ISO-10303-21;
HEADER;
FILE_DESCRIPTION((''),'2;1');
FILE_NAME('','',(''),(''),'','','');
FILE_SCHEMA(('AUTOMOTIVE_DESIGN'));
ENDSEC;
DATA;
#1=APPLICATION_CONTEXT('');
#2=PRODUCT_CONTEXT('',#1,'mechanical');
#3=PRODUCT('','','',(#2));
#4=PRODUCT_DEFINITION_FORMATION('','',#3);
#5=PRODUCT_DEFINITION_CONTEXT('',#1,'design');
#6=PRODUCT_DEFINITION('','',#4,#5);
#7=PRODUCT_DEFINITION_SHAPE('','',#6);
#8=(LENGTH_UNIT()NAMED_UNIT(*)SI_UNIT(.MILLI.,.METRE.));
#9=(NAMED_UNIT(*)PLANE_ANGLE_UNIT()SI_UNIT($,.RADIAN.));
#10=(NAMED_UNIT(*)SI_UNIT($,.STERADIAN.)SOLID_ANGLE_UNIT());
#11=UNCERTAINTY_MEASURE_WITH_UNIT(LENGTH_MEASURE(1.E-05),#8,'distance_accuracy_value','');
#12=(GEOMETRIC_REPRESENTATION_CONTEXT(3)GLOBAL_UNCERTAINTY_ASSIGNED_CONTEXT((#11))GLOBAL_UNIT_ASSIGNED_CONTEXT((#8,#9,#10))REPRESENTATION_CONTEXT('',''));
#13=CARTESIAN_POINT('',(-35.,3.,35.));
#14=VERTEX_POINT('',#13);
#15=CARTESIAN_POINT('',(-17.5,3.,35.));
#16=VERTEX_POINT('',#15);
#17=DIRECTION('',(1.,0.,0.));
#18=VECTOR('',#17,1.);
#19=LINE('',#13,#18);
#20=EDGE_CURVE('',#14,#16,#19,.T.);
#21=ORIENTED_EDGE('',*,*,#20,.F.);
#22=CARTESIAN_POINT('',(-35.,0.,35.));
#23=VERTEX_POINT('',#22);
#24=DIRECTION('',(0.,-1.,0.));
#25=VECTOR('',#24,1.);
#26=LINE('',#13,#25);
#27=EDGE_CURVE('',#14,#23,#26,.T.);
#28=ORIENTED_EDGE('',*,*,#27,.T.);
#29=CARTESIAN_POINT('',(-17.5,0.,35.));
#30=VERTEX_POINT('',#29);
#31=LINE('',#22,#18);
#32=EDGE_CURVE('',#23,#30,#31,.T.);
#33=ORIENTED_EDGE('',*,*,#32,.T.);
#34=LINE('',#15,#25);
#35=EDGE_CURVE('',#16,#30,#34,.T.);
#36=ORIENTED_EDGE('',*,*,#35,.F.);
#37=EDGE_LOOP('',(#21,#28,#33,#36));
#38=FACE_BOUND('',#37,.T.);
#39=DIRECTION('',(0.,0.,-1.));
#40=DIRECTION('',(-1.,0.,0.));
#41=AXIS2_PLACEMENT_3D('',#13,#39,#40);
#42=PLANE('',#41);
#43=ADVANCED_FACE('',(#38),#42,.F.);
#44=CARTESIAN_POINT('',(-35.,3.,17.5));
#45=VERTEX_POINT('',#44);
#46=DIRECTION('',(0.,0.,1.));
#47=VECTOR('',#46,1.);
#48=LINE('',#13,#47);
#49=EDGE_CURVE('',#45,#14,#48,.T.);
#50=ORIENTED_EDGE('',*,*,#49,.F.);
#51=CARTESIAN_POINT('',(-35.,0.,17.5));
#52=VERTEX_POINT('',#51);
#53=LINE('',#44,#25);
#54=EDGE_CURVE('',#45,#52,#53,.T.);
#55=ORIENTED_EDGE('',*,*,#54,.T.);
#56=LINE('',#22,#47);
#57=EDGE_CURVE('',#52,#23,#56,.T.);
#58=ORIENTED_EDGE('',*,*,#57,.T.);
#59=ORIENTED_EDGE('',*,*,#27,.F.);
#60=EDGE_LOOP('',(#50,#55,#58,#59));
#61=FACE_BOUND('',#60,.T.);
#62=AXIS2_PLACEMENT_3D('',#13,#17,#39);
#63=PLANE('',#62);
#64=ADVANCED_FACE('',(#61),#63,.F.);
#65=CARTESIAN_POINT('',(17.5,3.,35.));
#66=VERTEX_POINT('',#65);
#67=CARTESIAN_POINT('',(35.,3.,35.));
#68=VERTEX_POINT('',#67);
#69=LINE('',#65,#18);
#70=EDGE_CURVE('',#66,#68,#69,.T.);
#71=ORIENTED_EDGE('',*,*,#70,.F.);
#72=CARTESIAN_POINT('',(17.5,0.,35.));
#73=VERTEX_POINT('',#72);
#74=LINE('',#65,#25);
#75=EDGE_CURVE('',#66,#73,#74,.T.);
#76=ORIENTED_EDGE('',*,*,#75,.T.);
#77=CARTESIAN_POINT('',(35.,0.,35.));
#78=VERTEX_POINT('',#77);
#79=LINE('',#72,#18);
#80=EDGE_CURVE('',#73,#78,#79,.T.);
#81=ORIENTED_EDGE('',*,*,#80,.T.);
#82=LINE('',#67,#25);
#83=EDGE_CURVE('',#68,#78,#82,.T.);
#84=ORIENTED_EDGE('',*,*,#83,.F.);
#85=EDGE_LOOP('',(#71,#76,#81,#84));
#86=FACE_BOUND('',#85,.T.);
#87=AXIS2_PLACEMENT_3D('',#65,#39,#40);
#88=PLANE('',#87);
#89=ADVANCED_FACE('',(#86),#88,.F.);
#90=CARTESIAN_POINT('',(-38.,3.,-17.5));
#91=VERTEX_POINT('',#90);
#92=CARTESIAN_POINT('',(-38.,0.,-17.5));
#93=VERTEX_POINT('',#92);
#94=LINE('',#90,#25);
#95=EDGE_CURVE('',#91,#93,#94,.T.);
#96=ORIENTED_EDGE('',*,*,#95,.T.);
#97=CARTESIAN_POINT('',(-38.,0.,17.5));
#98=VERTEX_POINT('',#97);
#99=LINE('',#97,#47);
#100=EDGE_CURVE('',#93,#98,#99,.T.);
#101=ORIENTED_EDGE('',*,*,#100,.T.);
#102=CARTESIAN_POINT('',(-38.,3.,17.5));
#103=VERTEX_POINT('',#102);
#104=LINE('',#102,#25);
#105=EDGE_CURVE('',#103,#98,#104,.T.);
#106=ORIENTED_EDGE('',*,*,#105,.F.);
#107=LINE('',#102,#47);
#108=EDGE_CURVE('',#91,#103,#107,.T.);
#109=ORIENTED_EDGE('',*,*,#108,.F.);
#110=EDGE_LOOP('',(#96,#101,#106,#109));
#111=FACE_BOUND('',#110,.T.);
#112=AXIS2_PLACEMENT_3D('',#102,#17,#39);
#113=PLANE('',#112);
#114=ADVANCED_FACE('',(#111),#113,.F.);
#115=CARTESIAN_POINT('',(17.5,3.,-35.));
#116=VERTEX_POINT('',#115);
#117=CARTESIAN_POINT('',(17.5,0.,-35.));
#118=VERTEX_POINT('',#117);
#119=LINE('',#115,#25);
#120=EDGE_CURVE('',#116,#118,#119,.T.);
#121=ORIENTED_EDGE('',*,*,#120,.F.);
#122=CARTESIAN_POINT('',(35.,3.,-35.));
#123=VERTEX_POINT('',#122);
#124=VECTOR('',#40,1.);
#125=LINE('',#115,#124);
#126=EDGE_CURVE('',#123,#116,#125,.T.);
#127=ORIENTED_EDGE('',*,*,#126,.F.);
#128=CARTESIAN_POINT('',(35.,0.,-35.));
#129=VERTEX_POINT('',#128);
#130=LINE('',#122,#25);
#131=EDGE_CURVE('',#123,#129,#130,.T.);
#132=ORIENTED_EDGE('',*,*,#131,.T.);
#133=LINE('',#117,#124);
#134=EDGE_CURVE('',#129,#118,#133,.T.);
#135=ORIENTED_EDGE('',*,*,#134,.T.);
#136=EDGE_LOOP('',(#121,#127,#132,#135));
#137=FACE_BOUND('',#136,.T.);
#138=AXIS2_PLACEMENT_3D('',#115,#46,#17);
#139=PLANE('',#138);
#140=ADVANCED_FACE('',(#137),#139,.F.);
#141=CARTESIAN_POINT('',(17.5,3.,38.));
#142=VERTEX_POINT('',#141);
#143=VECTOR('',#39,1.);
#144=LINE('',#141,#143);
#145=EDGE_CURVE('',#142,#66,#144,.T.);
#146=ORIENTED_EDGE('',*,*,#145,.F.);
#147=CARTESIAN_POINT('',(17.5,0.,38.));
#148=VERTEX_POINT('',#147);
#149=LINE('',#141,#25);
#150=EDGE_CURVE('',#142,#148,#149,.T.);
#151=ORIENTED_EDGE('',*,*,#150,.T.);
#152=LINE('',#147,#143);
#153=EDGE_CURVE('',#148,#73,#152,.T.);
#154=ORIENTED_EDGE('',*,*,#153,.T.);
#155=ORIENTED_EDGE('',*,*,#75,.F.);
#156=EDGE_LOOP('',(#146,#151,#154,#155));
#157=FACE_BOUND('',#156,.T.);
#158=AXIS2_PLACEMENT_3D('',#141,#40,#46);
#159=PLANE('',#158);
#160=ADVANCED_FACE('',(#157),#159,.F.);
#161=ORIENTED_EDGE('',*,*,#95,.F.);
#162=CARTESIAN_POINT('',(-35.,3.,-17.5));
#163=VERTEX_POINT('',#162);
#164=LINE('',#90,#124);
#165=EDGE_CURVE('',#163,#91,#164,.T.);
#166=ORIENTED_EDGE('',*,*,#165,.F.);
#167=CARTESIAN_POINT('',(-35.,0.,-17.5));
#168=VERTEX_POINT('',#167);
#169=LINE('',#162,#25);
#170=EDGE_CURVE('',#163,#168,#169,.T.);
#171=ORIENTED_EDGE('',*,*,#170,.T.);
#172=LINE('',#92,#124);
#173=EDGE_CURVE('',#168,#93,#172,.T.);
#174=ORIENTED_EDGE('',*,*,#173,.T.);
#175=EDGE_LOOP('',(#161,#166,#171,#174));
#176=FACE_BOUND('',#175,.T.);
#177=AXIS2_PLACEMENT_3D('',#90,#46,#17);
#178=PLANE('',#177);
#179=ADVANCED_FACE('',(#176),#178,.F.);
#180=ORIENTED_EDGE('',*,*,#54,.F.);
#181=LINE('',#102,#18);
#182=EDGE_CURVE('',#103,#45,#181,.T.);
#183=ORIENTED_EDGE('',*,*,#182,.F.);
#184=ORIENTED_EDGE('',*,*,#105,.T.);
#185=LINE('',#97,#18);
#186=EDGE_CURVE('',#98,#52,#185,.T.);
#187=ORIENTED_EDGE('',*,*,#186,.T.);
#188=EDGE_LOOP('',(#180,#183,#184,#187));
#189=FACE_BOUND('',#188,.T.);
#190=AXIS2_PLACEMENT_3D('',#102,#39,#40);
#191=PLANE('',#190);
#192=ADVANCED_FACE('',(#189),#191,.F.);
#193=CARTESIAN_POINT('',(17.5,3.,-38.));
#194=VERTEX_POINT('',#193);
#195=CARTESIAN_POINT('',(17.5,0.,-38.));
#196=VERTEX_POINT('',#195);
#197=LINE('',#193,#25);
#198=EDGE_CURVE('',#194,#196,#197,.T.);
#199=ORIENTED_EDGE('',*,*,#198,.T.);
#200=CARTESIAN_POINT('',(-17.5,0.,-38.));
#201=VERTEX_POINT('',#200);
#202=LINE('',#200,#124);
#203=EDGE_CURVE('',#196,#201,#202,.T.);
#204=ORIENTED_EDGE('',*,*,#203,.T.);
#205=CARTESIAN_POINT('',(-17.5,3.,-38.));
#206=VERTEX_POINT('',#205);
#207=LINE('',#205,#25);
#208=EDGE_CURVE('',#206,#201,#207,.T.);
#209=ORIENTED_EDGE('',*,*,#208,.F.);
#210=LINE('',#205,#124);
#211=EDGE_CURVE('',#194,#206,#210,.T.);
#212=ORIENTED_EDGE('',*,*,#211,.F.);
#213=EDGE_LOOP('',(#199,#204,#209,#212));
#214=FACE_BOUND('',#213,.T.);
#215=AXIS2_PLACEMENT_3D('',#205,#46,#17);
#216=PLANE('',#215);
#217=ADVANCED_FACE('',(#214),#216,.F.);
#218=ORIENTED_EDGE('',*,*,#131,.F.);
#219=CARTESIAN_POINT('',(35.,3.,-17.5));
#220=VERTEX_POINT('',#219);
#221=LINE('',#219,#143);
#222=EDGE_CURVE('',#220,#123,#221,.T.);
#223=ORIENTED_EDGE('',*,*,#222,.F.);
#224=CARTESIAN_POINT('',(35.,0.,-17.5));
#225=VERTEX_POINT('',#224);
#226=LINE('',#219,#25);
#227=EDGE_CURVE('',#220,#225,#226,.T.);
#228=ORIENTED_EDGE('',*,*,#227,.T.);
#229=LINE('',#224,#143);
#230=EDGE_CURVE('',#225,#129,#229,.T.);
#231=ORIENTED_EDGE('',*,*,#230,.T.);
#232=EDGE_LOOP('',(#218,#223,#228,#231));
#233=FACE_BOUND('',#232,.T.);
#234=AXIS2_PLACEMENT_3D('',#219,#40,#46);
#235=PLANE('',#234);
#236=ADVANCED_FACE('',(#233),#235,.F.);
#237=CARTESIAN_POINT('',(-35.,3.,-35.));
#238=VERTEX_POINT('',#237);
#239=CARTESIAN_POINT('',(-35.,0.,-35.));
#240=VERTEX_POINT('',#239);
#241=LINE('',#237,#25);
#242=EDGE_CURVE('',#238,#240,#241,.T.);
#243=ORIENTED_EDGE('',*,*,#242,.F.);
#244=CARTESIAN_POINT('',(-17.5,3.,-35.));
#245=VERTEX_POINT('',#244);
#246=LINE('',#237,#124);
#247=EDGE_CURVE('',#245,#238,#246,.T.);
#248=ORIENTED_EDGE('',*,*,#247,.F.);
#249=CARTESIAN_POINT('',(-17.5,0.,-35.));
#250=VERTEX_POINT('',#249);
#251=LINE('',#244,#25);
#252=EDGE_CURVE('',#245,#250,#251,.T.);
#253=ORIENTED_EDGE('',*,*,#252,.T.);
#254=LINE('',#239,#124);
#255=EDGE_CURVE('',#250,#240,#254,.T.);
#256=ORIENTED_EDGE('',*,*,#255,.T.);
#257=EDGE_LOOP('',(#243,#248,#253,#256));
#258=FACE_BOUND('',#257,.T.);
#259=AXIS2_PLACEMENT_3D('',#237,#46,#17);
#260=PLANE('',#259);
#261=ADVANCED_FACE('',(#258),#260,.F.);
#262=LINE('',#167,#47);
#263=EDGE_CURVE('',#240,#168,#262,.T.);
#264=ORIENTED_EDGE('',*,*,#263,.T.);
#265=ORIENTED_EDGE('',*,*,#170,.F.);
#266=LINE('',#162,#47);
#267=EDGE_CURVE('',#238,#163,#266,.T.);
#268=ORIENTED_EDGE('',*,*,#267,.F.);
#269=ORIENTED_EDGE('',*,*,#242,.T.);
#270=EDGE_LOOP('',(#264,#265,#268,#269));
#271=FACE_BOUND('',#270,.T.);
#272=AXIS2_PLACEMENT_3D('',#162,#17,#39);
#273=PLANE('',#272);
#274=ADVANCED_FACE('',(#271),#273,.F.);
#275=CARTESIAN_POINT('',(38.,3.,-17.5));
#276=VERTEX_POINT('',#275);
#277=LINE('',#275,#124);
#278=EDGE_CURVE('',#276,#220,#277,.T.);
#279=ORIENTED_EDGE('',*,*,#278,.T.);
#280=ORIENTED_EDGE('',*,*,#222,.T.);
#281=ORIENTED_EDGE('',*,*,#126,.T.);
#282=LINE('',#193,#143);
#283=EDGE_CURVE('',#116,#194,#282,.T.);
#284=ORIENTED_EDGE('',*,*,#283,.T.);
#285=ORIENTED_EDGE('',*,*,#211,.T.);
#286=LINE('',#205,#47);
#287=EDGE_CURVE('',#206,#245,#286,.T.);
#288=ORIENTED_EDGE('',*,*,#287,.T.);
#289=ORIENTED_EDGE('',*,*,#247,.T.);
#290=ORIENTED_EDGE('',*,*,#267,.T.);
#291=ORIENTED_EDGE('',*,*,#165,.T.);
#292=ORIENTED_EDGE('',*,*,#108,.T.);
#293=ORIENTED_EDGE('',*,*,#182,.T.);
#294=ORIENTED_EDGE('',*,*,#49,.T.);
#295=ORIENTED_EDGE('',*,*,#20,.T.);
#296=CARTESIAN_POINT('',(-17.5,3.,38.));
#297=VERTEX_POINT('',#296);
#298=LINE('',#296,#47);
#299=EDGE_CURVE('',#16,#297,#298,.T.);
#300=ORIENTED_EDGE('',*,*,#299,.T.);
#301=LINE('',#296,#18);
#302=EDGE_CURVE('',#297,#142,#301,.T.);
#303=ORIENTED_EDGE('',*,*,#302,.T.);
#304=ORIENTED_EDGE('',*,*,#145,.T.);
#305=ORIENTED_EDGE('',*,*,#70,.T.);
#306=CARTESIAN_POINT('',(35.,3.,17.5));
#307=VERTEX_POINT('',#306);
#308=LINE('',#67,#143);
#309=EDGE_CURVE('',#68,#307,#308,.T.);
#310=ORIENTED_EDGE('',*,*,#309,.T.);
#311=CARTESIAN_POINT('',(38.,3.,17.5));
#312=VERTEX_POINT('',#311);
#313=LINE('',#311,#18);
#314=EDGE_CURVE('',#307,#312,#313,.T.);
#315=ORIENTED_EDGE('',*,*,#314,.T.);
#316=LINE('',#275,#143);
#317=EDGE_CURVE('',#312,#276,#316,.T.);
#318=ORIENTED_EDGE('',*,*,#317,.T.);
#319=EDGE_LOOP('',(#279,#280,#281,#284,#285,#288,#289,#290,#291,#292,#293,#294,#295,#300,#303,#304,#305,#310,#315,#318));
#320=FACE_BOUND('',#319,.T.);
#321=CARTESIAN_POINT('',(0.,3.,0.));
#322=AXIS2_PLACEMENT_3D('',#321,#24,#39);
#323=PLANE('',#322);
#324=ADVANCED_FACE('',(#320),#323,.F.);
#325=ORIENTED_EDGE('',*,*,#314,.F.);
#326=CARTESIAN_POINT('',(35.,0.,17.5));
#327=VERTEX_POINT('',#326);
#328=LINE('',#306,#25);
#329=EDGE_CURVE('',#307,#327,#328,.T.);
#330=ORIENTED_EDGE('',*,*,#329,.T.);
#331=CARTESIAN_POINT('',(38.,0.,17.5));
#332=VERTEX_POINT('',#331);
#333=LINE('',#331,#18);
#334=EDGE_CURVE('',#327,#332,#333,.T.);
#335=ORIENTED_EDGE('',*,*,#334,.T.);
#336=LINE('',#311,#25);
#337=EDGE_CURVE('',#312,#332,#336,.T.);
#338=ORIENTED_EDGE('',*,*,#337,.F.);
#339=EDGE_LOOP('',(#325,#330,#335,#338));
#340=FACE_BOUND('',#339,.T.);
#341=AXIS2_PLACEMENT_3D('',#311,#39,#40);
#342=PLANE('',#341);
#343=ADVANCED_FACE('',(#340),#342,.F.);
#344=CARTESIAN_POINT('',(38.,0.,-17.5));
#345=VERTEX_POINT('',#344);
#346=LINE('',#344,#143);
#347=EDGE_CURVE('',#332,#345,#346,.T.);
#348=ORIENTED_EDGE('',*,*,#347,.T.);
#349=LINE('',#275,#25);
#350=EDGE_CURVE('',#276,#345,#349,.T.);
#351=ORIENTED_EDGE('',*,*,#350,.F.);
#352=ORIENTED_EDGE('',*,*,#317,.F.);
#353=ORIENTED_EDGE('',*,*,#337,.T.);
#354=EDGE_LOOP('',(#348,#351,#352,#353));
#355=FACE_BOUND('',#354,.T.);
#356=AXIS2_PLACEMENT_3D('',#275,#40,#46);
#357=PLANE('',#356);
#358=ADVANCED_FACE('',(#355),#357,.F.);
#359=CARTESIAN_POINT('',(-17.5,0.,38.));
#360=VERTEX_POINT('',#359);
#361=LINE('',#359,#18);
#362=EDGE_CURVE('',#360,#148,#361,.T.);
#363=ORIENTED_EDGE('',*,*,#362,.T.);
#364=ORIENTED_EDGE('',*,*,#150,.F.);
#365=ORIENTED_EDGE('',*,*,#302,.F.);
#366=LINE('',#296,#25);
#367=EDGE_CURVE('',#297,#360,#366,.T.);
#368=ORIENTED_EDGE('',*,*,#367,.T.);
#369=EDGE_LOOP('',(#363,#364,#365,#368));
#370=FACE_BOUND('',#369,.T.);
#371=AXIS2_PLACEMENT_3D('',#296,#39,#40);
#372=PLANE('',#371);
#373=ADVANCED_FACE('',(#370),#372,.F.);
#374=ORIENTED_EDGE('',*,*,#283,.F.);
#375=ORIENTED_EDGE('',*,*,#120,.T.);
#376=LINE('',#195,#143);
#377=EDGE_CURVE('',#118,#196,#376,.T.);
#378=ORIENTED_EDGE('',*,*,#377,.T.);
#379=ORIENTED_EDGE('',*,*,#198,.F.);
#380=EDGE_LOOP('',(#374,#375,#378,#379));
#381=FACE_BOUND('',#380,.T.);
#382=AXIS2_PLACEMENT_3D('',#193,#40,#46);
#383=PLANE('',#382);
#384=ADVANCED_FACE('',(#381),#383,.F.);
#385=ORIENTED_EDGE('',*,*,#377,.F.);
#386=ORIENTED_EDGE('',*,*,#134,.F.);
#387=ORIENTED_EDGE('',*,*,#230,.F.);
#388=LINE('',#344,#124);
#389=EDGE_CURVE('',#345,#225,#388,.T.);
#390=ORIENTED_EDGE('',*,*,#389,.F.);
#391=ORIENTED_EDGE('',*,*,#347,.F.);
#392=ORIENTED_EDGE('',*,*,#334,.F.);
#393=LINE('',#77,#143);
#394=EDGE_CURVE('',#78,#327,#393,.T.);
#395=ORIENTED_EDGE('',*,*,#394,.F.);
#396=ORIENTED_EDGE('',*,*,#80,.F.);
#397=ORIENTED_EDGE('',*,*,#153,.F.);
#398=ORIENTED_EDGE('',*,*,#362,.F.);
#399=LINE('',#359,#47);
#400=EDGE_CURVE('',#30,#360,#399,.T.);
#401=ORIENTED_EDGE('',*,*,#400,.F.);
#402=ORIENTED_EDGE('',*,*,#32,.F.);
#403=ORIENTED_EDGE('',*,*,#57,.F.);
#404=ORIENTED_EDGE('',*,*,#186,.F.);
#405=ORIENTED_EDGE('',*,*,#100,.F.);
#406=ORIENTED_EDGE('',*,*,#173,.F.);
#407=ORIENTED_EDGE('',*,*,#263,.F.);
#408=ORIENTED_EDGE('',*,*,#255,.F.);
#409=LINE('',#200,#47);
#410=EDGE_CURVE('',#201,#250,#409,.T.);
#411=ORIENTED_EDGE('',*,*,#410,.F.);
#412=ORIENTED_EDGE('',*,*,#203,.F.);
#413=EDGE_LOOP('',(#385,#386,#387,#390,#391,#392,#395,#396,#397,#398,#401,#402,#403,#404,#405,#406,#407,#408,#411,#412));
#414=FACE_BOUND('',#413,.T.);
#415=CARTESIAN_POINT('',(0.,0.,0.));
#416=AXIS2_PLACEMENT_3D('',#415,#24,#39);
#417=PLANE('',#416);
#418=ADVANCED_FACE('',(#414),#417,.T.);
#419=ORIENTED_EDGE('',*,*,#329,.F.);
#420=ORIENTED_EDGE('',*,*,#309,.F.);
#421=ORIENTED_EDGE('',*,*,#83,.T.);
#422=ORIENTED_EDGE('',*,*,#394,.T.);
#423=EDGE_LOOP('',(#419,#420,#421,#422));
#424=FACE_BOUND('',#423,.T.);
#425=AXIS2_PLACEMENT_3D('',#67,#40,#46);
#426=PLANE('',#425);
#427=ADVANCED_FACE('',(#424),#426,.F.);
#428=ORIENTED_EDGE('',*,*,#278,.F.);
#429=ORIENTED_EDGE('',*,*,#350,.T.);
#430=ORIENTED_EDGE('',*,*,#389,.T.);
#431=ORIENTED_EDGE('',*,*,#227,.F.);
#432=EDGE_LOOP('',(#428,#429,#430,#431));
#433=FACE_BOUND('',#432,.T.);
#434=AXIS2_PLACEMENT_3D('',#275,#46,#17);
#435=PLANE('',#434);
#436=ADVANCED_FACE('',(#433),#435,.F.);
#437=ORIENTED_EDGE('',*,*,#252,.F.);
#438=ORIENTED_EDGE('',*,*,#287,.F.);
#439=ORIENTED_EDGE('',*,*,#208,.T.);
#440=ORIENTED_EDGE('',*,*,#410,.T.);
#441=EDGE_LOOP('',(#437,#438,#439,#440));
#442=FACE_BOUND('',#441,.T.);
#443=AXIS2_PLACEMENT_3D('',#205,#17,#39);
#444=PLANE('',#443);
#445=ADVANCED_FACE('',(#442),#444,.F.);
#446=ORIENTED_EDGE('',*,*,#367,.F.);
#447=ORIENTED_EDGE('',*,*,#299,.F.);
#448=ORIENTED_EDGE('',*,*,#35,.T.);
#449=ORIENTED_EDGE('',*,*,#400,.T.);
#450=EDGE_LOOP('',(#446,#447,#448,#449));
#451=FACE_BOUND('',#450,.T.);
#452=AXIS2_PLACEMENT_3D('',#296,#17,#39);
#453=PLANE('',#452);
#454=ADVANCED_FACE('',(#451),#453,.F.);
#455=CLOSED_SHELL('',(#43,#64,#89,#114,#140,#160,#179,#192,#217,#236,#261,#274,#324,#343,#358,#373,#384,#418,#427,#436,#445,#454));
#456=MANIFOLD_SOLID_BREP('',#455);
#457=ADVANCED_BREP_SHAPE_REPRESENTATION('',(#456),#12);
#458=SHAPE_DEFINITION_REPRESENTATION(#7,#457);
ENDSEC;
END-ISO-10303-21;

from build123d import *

# Parameters (mm, degrees)
BOSS_EXTRUDE1_DEPTH = 3


with BuildPart() as part:
    # Sketch1 → Boss-Extrude1 (new body)
    with BuildSketch(Plane(origin=(0, 0, 0), x_dir=(1, 0, 0), z_dir=(0, 1, 0))):
        Polygon((-35, -35), (-17.5, -35), (-17.5, -38), (17.5, -38), (17.5, -35), (35, -35), (35, -17.5), (38, -17.5), (38, 17.5), (35, 17.5), (35, 35), (17.5, 35), (17.5, 38), (-17.5, 38), (-17.5, 35), (-35, 35), (-35, 17.5), (-38, 17.5), (-38, -17.5), (-35, -17.5), align=None)
    extrude(amount=BOSS_EXTRUDE1_DEPTH)


solid = part.part
